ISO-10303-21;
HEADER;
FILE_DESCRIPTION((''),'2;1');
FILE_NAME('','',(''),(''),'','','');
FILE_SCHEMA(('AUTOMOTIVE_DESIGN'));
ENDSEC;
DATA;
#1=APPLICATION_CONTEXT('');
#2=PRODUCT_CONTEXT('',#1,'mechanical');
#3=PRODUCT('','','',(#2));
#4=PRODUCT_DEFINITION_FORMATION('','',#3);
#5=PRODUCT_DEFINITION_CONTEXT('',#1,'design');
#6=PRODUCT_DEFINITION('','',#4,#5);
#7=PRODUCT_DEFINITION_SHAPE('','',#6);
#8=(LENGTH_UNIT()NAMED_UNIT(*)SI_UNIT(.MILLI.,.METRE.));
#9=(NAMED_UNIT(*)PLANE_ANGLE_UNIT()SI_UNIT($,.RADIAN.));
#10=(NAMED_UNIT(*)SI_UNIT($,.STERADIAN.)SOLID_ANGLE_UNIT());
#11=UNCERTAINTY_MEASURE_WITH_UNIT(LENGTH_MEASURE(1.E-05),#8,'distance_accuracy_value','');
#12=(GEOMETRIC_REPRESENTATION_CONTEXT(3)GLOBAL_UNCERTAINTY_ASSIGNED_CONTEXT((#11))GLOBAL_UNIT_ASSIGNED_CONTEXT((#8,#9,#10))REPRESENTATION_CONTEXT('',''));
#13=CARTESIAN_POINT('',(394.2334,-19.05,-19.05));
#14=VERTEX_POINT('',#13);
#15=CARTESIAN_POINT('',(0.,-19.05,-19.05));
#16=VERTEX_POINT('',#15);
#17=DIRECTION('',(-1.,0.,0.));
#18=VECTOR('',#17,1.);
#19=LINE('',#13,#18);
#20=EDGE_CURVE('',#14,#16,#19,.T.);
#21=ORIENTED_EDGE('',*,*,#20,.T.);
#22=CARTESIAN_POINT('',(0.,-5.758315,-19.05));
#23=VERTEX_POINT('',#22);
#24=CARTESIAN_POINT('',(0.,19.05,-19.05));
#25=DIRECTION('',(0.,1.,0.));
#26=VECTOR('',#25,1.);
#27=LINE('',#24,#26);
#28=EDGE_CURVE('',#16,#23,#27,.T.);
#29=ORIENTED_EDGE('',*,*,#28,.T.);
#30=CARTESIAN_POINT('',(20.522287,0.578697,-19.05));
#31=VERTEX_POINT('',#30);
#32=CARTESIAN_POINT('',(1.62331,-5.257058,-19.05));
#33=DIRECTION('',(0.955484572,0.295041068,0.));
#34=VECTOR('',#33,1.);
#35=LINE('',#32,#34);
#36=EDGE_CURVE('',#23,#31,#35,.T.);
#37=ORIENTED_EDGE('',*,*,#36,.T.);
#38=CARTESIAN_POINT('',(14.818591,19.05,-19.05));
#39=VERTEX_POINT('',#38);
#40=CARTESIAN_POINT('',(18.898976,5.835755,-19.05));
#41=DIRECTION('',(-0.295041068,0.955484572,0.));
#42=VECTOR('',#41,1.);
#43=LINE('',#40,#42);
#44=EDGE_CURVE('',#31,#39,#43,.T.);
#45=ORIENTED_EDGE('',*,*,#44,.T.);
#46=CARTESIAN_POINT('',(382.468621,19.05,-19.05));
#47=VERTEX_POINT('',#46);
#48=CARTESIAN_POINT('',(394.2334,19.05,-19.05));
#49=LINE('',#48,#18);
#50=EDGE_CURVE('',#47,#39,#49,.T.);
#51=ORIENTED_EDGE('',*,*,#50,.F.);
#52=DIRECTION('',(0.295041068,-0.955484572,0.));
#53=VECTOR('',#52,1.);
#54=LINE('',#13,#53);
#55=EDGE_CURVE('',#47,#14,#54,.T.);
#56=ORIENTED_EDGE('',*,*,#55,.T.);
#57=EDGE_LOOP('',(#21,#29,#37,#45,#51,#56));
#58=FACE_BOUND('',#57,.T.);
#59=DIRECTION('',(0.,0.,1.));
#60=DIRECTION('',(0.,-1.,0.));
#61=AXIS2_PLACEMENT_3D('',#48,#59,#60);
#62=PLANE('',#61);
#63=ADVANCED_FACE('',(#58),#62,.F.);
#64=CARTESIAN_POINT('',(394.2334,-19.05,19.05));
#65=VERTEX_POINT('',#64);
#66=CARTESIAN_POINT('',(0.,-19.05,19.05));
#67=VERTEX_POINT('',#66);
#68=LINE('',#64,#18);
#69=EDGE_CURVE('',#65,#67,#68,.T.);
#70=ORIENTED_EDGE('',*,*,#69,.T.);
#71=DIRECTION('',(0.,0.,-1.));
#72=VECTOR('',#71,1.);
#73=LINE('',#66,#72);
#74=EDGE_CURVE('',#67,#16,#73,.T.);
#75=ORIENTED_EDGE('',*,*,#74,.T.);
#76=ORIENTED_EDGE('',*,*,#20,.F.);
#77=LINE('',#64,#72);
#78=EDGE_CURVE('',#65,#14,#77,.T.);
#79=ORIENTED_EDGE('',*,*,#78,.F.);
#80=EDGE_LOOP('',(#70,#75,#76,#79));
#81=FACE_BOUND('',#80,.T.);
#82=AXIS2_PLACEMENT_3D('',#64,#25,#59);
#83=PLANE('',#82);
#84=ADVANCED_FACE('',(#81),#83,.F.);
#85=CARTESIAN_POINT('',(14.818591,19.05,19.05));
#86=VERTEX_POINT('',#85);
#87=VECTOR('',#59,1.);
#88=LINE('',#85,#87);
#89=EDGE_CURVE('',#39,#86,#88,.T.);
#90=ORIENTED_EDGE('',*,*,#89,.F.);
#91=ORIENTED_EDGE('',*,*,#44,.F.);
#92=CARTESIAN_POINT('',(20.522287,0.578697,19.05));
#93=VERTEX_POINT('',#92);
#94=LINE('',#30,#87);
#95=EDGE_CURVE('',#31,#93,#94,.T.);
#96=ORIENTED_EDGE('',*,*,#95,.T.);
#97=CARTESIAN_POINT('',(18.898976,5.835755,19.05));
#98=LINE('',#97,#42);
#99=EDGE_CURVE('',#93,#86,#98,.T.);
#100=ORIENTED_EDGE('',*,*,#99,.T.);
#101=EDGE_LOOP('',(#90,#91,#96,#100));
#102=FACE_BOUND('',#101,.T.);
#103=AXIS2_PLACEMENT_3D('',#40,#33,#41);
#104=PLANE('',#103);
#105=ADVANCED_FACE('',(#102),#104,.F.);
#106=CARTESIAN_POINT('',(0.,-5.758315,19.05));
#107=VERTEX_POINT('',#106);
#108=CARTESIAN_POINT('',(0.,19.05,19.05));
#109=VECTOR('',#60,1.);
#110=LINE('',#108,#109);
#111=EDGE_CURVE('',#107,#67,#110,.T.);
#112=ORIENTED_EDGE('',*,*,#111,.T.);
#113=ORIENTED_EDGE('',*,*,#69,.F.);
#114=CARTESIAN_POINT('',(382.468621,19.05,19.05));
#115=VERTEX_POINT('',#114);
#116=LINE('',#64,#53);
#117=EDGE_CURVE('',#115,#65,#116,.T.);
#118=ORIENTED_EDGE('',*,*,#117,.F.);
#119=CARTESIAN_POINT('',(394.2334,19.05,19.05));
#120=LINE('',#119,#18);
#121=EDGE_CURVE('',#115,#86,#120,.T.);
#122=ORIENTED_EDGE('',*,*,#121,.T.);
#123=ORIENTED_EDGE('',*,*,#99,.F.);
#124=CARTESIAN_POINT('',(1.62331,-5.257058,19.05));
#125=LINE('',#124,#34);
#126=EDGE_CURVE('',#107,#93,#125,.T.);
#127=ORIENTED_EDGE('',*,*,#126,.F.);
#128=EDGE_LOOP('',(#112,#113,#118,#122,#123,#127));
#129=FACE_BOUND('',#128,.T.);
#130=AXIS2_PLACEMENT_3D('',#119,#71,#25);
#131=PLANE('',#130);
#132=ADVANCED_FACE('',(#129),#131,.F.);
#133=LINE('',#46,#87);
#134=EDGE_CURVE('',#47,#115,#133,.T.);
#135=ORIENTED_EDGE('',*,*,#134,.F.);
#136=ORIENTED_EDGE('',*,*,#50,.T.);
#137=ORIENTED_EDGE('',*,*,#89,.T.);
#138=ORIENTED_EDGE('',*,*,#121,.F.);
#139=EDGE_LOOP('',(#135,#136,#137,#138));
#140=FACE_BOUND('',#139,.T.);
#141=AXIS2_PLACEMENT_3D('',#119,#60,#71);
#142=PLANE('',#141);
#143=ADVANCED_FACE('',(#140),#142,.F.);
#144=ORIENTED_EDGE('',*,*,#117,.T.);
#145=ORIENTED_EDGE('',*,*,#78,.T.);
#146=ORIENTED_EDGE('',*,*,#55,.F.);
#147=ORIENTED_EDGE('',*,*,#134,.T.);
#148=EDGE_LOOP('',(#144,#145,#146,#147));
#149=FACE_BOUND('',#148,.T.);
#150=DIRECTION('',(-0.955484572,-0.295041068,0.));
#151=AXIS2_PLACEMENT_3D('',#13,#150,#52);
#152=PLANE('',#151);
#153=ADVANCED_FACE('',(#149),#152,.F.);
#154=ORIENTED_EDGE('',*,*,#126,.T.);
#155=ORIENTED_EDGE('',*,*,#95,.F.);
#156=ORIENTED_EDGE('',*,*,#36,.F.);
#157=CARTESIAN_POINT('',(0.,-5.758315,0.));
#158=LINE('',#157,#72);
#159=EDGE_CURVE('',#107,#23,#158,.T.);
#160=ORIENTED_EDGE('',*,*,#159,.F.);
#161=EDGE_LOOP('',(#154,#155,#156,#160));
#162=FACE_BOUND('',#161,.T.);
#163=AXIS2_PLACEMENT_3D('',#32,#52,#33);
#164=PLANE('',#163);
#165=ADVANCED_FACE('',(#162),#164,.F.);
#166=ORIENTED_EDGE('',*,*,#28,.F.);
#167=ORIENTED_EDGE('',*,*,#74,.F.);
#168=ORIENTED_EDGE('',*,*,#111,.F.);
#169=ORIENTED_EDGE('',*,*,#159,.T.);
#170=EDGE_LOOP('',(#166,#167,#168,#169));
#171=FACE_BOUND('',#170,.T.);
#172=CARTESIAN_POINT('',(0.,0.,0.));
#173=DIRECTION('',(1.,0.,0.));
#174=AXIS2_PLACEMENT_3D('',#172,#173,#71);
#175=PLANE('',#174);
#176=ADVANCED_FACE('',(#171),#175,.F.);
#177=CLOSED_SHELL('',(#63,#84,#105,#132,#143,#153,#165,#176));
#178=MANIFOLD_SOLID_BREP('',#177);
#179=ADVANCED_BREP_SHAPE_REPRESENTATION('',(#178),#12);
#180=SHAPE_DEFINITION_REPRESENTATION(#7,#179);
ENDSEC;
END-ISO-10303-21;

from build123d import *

# Parameters (mm, degrees)
SKETCH1_W               = 38.1
SKETCH1_H               = 38.1
BOSS_EXTRUDE1_DEPTH     = 394.2334
CUT_EXTRUDE1_DEPTH      = 397.528039583
CUT_EXTRUDE2_DEPTH      = 397.528039583
CUT_EXTRUDE2_DEPTH_BACK = 397.528039583


with BuildPart() as part:
    # Sketch1 → Boss-Extrude1 (new body)
    with BuildSketch(Plane(origin=(0, 0, 0), x_dir=(0, 0, -1), z_dir=(1, 0, 0))):
        Rectangle(SKETCH1_W, SKETCH1_H)
    extrude(amount=BOSS_EXTRUDE1_DEPTH)

    # Sketch2 → Cut-Extrude1 (cut, through all)
    with BuildSketch(Plane.XY.offset(19.05)):
        Polygon((394.2334, -19.05), (382.468621152, 19.05), (394.2334, 19.05), align=None)
    extrude(amount=-CUT_EXTRUDE1_DEPTH, mode=Mode.SUBTRACT)

    # Sketch3 → Cut-Extrude2 (cut, two sides: drawn at the far end of the back side and taken through both)
    with BuildSketch(Plane.XY.offset(19.05).offset(-CUT_EXTRUDE2_DEPTH_BACK)):
        Polygon((0, 19.05), (0, -5.758314958), (20.522286578, 0.578697196), (14.818591236, 19.05), align=None)
    extrude(amount=CUT_EXTRUDE2_DEPTH + CUT_EXTRUDE2_DEPTH_BACK, mode=Mode.SUBTRACT)


solid = part.part
